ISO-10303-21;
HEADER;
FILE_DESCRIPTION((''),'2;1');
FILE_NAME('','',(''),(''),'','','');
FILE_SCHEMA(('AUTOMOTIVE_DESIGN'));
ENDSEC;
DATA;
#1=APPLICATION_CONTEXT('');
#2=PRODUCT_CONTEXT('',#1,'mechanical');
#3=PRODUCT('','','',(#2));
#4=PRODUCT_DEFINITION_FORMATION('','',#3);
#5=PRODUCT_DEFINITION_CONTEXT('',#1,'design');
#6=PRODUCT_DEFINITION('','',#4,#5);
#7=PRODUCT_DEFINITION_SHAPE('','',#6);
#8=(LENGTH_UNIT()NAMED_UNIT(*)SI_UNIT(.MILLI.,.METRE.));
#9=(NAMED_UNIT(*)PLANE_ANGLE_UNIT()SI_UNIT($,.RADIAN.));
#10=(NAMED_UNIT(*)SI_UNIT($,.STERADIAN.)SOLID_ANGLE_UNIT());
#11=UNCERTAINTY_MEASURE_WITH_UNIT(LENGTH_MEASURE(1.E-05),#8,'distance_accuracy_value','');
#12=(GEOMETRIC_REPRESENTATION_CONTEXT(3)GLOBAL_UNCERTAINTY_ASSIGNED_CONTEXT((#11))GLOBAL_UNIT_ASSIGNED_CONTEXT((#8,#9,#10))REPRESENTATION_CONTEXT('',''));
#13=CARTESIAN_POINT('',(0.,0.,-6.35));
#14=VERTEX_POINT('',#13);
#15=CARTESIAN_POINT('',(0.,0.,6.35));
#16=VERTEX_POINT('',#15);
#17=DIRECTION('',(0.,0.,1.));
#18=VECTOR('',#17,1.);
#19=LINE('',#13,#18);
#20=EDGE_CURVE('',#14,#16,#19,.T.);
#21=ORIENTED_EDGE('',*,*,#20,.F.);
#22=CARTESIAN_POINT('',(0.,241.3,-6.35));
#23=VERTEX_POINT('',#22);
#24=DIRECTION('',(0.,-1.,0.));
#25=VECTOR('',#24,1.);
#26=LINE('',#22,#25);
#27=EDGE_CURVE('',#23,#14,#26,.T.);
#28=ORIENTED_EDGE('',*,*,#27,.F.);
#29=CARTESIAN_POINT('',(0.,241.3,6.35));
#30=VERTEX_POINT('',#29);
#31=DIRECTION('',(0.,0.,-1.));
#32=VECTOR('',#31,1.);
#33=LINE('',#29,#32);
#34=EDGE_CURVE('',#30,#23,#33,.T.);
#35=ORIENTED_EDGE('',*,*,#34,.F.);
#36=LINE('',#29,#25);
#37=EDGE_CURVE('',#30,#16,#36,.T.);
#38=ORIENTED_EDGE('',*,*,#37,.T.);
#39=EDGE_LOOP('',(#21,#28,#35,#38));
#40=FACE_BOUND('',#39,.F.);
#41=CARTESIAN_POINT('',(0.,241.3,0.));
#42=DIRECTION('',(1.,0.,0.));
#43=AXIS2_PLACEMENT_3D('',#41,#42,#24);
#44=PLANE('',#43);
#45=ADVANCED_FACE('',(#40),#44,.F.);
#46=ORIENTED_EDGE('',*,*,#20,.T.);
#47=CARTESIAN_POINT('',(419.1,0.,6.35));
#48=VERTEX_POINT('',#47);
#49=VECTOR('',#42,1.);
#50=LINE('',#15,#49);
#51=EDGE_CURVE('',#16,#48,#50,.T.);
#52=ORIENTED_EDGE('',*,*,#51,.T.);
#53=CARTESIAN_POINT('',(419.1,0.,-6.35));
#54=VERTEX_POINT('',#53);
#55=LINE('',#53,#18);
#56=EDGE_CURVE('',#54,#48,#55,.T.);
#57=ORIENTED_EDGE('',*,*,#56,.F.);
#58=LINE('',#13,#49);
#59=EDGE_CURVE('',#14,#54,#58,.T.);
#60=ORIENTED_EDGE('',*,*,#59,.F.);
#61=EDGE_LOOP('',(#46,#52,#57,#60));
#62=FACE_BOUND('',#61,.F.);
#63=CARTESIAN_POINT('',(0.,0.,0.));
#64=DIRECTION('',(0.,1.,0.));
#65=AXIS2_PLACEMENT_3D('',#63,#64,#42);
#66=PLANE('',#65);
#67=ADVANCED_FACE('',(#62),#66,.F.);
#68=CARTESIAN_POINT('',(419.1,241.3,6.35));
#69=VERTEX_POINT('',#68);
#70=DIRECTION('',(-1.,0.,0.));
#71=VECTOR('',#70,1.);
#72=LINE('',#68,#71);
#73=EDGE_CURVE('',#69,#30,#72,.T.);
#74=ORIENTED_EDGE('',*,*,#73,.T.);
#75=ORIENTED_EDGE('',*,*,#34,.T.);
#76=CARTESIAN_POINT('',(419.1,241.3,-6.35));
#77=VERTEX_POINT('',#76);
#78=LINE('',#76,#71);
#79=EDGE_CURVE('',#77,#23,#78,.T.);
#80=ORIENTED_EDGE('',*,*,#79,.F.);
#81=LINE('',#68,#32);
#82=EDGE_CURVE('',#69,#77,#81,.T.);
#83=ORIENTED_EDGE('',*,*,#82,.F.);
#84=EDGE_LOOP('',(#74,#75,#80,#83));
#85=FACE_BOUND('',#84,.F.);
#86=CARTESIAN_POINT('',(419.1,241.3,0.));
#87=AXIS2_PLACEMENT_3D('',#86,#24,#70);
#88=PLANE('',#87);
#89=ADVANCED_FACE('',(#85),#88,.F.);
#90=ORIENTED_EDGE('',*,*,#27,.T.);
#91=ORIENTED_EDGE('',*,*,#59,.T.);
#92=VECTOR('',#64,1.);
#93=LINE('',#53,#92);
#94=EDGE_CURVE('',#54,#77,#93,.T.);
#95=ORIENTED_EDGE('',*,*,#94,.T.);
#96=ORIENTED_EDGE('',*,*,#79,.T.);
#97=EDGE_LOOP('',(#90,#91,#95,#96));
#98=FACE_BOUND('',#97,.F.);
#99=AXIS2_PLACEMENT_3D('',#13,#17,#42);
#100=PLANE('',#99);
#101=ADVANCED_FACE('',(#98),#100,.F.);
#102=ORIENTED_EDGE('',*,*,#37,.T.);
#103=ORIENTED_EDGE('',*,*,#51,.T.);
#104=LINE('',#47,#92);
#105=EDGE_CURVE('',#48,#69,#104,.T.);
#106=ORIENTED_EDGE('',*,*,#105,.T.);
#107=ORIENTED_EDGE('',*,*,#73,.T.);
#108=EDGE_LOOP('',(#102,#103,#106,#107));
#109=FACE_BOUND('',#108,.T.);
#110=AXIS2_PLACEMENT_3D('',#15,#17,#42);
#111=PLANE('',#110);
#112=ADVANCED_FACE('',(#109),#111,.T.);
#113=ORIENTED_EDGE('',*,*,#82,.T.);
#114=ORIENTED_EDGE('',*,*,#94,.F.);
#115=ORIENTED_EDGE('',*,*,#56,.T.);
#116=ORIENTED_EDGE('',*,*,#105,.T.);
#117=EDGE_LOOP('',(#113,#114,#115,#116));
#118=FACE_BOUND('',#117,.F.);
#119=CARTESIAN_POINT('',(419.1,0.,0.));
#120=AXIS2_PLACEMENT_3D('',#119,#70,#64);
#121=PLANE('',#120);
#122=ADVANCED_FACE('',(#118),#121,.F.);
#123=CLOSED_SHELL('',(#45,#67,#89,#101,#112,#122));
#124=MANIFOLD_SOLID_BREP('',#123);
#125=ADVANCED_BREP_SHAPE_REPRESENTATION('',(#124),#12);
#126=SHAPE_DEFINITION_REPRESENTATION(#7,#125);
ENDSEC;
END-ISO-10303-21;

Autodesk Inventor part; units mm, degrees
ref_plane "YZ Plane" through (0, 0, 0) normal (1, 0, 0) x (0, 1, 0)
ref_plane "XZ Plane" through (0, 0, 0) normal (0, 1, 0) x (-1, 0, 0)
ref_plane "XY Plane" through (0, 0, 0) normal (0, 0, 1) x (1, 0, 0)
sketch "Sketch1" plane through (0, 0, 0) normal (0, 0, 1) x (1, 0, 0)
  line L0 (0, 0) -> (419.1, 0)
  line L1 (419.1, 0) -> (419.1, 241.3)
  line L2 (419.1, 241.3) -> (0, 241.3)
  line L3 (0, 241.3) -> (0, 0)
  dimension "d0" = 419.1
  dimension "Height" = 241.3
extrude "Extrusion1" add sketch "Sketch1" along normal mid plane 12.7
equation "\"d0\" = Length"
equation "\"d2\" = Thickness"
equation "\"Length\" = 419.1"
equation "\"Thickness\" = 12.7"
properties part number "OutsideRWall"
